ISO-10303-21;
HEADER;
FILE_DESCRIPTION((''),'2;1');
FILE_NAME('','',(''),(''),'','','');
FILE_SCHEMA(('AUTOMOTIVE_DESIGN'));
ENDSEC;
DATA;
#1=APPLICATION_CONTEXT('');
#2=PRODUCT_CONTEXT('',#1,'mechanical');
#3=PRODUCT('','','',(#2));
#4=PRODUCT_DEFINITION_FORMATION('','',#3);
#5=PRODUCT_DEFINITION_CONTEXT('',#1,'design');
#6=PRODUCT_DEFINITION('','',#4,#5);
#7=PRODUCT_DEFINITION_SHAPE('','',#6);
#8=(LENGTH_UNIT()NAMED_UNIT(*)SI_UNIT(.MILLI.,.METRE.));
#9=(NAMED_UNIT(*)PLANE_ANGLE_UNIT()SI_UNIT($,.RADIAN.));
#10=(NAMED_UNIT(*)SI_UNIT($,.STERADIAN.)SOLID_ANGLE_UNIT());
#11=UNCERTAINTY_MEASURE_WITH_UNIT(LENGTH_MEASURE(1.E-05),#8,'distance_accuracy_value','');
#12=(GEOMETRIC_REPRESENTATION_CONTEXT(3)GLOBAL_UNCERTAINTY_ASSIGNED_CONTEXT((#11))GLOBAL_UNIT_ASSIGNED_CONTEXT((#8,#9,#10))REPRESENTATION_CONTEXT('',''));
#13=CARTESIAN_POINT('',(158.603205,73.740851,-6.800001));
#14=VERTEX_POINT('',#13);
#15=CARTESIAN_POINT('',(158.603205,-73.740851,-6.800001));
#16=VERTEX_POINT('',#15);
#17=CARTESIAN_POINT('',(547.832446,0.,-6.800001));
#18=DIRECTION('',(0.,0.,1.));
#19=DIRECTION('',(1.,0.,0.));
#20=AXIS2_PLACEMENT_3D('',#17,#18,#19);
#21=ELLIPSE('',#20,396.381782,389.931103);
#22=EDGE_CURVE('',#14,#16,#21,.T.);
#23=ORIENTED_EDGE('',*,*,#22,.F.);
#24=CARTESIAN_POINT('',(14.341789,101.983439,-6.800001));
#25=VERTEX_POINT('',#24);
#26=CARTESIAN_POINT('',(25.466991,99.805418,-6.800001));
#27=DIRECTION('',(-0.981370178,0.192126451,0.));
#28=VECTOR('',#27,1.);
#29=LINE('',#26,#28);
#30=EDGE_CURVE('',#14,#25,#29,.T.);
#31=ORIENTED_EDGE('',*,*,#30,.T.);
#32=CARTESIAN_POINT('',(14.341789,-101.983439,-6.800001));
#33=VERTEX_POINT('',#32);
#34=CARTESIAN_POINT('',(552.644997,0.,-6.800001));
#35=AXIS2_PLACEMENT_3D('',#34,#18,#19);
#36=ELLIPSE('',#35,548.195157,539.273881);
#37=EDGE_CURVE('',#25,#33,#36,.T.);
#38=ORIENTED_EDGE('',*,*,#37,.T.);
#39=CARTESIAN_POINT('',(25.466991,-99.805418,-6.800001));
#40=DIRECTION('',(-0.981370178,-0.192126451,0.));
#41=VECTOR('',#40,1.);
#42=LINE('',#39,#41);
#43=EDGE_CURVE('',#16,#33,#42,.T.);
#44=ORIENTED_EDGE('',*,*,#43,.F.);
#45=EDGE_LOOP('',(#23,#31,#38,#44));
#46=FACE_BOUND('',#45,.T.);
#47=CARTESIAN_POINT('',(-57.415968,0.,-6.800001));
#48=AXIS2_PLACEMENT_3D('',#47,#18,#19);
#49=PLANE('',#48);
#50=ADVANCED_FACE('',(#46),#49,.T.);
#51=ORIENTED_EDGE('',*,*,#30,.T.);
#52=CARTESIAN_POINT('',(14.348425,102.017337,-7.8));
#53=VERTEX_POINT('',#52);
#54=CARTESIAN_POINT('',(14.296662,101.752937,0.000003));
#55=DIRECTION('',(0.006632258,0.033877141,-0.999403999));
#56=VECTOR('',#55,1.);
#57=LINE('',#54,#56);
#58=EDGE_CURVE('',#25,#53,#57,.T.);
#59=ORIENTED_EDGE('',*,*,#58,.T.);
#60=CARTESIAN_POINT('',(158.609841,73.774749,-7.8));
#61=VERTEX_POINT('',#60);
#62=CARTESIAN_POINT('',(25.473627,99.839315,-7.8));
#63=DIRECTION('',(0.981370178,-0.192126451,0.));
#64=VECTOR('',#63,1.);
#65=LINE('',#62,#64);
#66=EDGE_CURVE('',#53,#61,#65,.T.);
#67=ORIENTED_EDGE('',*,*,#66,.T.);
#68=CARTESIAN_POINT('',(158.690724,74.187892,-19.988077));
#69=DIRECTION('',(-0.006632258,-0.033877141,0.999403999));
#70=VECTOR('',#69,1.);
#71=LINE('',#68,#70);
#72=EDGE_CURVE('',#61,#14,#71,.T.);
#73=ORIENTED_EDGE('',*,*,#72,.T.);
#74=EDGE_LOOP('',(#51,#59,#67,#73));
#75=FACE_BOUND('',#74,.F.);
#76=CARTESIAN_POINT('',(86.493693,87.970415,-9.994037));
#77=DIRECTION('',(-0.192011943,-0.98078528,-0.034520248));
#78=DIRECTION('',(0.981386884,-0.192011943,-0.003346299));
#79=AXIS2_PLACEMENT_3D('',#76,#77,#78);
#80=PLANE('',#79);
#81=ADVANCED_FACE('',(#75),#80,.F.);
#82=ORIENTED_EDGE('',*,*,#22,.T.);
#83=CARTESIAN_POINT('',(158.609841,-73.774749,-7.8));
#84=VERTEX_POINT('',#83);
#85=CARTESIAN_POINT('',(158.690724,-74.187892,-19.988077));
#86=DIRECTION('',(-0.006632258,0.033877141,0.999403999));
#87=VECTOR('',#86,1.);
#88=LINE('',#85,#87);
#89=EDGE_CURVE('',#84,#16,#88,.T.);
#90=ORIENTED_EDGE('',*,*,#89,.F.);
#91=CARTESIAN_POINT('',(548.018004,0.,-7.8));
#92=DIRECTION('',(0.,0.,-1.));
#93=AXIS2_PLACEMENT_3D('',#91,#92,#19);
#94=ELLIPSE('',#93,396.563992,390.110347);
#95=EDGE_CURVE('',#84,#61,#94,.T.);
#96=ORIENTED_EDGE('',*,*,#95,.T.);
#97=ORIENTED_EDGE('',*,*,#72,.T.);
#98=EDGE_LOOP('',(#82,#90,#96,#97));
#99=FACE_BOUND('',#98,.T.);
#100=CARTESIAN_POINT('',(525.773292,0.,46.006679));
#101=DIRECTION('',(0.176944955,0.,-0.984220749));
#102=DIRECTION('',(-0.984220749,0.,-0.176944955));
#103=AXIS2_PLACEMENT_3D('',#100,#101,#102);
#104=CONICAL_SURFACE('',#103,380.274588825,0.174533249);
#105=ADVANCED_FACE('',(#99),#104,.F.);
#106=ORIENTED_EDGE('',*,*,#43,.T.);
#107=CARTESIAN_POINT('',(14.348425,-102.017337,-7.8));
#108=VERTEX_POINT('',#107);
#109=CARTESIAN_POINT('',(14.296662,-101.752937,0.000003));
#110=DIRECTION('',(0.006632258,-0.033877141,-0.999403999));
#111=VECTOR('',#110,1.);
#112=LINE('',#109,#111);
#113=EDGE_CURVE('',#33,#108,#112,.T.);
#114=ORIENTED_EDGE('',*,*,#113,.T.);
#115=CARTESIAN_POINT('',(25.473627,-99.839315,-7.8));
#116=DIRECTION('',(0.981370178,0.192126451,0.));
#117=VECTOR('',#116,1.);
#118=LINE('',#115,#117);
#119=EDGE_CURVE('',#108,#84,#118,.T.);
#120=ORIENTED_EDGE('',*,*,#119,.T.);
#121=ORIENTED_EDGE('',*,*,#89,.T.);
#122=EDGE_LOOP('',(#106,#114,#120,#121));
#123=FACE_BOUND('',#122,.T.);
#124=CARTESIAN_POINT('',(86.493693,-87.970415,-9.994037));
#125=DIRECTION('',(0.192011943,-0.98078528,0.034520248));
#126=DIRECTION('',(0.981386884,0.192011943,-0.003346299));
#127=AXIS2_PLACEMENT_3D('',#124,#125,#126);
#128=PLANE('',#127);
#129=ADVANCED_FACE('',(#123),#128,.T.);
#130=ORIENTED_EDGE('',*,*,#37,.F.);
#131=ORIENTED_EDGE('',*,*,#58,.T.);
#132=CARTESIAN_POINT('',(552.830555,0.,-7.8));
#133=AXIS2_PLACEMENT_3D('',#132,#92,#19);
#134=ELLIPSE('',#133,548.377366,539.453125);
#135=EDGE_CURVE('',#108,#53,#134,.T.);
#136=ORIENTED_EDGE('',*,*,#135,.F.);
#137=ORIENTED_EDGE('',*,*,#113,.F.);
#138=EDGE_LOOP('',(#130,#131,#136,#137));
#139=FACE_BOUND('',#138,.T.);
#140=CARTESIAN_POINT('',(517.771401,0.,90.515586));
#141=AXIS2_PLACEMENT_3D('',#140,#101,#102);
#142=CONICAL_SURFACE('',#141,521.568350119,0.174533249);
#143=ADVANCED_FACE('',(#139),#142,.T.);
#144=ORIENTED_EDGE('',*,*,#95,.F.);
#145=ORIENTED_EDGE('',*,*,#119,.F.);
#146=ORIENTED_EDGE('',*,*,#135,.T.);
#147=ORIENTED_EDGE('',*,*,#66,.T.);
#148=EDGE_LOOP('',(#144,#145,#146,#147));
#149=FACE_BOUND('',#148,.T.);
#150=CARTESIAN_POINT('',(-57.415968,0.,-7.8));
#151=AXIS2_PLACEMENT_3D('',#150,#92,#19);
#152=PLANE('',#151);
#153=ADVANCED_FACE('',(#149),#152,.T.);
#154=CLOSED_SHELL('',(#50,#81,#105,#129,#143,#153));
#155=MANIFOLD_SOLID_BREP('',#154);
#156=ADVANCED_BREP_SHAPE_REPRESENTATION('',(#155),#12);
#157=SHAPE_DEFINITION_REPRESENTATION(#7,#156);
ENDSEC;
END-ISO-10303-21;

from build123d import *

# Parameters (mm, degrees)
F1_ANGLE = 22.5
F2_W     = 288.807087
F2_H     = 51.081525
F2_H_2   = 78.095803
F3_DEPTH = 119


with BuildPart() as f1:
    # F0 (on Front) → F1 (revolve, symmetric)
    with BuildSketch(Plane.XZ) as f1_sk:
        Polygon((151.432185, -1.281103), (4.433009, -1.773302), (4.499975, -21.77319), (151.499151, -21.280991), align=None)
    revolve(axis=Axis((525.838809, 0, 45.642252), (-0.176945, 0, 0.984221)), revolution_arc=F1_ANGLE / 2)
    revolve(f1_sk.sketch, axis=Axis((525.838809, 0, 45.642252), (0.176945, 0, -0.984221)), revolution_arc=F1_ANGLE / 2)

    # F2 (on Front) → F3 (cut, symmetric)
    with BuildSketch(Plane.XZ):
        with Locations((86.987576, 18.740762)):
            Rectangle(F2_W, F2_H)
        with Locations((86.987576, -46.847901)):
            Rectangle(F2_W, F2_H_2)
    extrude(amount=F3_DEPTH, both=True, mode=Mode.SUBTRACT)


solid = f1.part
